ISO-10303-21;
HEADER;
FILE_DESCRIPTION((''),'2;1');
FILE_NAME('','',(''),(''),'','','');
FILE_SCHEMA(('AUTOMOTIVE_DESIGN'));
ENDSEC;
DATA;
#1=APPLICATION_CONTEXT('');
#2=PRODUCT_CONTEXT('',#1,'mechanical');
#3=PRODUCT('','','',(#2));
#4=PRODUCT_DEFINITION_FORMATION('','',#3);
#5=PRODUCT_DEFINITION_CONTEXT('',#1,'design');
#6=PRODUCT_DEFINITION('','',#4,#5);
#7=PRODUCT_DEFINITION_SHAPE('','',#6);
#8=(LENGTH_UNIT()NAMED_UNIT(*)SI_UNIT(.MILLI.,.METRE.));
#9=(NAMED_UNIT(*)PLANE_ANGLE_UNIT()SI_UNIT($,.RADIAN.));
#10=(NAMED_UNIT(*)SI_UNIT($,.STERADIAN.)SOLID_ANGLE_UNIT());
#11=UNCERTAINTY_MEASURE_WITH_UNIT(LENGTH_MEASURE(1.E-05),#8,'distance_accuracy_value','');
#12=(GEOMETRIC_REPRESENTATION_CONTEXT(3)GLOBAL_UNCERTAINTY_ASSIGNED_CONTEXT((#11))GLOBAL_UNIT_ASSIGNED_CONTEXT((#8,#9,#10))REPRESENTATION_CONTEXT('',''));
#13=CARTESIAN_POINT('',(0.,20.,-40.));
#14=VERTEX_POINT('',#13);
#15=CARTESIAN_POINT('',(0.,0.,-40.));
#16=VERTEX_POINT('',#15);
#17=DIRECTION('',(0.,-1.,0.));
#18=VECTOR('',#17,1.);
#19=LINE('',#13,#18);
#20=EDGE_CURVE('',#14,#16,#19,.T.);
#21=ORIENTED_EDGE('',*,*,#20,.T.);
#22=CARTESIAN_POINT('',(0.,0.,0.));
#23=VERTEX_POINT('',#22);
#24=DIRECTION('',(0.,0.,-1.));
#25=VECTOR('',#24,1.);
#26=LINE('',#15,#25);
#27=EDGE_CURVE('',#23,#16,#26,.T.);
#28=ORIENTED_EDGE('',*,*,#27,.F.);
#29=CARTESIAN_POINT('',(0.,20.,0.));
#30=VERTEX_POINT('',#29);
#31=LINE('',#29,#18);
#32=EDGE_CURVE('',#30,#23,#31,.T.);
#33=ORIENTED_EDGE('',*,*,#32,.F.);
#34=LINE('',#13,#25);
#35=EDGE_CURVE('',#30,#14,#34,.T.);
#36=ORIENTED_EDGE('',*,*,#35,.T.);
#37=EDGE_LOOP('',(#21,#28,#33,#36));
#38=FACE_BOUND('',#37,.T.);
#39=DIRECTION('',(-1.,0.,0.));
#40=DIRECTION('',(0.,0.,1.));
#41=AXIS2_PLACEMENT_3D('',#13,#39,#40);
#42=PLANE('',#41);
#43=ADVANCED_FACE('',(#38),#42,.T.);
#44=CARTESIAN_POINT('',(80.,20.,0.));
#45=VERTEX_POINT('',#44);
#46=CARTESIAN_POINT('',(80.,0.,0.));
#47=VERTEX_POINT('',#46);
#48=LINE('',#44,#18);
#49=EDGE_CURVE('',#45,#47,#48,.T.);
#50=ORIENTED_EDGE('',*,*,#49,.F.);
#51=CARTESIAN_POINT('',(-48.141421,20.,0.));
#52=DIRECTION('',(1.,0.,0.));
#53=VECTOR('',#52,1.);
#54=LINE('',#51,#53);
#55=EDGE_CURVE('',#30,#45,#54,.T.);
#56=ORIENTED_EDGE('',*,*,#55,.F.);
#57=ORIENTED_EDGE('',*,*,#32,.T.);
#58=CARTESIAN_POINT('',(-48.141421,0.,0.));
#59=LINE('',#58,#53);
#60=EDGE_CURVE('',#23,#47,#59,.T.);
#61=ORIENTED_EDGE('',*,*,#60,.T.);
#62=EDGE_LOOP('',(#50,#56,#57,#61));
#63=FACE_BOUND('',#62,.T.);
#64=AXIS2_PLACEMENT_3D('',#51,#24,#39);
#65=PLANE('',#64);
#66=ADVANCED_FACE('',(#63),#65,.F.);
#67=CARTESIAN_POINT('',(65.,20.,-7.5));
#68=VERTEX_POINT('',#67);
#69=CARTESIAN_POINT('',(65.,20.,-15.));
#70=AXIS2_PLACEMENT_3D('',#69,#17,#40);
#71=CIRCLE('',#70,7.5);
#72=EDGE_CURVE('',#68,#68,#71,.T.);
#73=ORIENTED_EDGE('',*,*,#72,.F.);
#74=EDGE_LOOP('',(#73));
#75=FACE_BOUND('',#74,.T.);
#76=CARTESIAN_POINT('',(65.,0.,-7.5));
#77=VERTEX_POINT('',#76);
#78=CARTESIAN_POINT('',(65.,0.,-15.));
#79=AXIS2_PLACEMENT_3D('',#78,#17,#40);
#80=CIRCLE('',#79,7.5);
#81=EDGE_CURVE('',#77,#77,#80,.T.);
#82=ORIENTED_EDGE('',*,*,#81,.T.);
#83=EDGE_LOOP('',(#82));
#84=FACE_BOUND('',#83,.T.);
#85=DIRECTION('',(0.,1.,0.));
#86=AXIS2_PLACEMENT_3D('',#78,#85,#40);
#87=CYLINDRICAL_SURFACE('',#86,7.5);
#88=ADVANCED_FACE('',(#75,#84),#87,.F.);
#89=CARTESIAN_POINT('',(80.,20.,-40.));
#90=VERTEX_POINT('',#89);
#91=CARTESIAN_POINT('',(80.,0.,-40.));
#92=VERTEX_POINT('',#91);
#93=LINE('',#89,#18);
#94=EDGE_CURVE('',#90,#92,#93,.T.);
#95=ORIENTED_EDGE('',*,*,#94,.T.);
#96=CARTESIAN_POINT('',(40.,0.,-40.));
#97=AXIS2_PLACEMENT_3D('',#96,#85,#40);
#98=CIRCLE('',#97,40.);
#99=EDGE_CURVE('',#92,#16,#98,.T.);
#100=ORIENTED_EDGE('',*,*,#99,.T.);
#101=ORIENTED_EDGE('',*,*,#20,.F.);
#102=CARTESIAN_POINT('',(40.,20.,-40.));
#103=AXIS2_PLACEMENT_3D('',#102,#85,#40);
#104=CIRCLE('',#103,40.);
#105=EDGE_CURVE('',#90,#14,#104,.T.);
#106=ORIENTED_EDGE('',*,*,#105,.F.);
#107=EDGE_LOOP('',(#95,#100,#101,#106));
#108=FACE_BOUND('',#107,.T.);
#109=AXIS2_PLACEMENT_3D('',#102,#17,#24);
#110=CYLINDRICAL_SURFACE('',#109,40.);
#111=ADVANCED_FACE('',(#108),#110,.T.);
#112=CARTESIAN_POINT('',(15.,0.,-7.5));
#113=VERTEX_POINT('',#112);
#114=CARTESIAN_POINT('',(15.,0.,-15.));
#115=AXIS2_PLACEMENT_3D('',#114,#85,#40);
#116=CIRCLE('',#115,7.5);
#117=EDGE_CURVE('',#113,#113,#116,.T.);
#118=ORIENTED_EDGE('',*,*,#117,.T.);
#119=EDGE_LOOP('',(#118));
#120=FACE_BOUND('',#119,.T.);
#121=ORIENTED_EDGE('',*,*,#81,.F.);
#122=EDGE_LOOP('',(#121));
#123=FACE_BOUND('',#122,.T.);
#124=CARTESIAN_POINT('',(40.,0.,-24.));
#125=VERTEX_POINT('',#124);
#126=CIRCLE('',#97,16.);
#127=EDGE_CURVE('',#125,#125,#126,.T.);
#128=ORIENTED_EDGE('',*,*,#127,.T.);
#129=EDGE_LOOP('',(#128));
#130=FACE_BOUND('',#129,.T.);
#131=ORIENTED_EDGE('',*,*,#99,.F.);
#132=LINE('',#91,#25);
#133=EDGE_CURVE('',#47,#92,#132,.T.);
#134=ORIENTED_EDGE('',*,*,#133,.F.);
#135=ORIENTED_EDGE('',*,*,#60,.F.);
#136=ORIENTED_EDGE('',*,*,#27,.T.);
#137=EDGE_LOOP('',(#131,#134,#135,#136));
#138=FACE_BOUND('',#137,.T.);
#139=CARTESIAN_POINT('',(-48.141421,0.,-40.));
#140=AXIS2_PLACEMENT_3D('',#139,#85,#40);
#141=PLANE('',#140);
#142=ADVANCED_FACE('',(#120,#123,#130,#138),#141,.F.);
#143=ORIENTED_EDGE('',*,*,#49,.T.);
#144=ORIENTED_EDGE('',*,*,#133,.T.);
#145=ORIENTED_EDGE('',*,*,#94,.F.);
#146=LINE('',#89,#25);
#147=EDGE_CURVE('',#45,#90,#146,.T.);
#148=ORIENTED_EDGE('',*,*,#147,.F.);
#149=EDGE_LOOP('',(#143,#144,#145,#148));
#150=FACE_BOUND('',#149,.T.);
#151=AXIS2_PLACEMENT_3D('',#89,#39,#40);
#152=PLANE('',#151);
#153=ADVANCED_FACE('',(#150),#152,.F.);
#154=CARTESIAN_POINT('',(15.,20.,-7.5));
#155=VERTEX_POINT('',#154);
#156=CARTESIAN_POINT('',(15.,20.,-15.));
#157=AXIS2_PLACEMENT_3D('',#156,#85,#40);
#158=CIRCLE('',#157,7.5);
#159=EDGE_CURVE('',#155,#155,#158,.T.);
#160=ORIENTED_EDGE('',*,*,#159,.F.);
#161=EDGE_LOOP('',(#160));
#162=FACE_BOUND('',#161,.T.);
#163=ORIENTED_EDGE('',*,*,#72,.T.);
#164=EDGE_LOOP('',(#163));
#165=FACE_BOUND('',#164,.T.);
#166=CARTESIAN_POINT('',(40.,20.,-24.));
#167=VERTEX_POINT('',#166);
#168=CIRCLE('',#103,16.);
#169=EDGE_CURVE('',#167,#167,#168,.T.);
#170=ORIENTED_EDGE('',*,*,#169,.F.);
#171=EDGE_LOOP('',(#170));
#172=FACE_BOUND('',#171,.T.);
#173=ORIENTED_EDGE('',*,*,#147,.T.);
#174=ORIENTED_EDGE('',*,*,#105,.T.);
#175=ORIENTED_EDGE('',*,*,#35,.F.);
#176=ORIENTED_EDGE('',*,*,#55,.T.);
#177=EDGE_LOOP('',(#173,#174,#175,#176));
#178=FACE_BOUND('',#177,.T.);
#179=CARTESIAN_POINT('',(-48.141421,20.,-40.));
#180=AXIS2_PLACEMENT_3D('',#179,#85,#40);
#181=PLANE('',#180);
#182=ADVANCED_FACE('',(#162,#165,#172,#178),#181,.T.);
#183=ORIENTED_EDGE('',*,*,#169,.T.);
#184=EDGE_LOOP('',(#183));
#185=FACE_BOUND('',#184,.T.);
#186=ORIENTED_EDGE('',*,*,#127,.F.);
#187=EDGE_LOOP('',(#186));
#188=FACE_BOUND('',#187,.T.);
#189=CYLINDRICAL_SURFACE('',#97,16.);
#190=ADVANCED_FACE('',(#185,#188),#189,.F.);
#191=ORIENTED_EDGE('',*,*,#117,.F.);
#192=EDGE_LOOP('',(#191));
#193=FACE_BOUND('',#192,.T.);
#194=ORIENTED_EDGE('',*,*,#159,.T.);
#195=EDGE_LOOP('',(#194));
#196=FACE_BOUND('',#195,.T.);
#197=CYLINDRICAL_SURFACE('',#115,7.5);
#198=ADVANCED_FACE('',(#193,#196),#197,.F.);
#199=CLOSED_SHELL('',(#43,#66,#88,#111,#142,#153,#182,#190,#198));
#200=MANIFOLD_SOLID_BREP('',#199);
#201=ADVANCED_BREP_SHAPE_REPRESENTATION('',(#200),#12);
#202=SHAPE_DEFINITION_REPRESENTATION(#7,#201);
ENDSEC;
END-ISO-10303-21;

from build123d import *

# Parameters (mm, degrees)
SKETCH1_R          = 40
SKETCH1_W          = 80
SKETCH1_H          = 40
EXTRUDE1_DEPTH     = 20
SKETCH3_R          = 16
CUT_EXTRUDE1_DEPTH = 115.891252931
SKETCH7_R          = 7.5
CUT_EXTRUDE2_DEPTH = 115.891252931


with BuildPart() as part:
    # Sketch1 → Extrude1 (new body)
    with BuildSketch(Plane(origin=(0, 0, 0), x_dir=(1, 0, 0), z_dir=(0, 1, 0))):
        with Locations((40, 40)):
            Circle(SKETCH1_R)
        with Locations((40, 20)):
            Rectangle(SKETCH1_W, SKETCH1_H)
    extrude(amount=EXTRUDE1_DEPTH)

    # Sketch3 → Cut-Extrude1 (cut, through all)
    with BuildSketch(Plane(origin=(0, 20, 0), x_dir=(1, 0, 0), z_dir=(0, 1, 0))):
        with Locations(Location((40, 40, 0), (0, 0, 270))):
            Circle(SKETCH3_R)
    extrude(amount=-CUT_EXTRUDE1_DEPTH, mode=Mode.SUBTRACT)

    # Sketch7 → Cut-Extrude2 (cut, through all)
    with BuildSketch(Plane(origin=(0, 20, 0), x_dir=(1, 0, 0), z_dir=(0, 1, 0))):
        with Locations(Location((15, 15, 0), (0, 0, 270))):
            Circle(SKETCH7_R)
    cut_extrude2 = extrude(amount=-CUT_EXTRUDE2_DEPTH, mode=Mode.SUBTRACT)

    # Mirror1: Cut-Extrude2 across plane
    add(cut_extrude2.mirror(Plane(origin=(40, 0, 0), x_dir=(0, 0, 1), z_dir=(1, 0, 0))), mode=Mode.SUBTRACT)


solid = part.part
